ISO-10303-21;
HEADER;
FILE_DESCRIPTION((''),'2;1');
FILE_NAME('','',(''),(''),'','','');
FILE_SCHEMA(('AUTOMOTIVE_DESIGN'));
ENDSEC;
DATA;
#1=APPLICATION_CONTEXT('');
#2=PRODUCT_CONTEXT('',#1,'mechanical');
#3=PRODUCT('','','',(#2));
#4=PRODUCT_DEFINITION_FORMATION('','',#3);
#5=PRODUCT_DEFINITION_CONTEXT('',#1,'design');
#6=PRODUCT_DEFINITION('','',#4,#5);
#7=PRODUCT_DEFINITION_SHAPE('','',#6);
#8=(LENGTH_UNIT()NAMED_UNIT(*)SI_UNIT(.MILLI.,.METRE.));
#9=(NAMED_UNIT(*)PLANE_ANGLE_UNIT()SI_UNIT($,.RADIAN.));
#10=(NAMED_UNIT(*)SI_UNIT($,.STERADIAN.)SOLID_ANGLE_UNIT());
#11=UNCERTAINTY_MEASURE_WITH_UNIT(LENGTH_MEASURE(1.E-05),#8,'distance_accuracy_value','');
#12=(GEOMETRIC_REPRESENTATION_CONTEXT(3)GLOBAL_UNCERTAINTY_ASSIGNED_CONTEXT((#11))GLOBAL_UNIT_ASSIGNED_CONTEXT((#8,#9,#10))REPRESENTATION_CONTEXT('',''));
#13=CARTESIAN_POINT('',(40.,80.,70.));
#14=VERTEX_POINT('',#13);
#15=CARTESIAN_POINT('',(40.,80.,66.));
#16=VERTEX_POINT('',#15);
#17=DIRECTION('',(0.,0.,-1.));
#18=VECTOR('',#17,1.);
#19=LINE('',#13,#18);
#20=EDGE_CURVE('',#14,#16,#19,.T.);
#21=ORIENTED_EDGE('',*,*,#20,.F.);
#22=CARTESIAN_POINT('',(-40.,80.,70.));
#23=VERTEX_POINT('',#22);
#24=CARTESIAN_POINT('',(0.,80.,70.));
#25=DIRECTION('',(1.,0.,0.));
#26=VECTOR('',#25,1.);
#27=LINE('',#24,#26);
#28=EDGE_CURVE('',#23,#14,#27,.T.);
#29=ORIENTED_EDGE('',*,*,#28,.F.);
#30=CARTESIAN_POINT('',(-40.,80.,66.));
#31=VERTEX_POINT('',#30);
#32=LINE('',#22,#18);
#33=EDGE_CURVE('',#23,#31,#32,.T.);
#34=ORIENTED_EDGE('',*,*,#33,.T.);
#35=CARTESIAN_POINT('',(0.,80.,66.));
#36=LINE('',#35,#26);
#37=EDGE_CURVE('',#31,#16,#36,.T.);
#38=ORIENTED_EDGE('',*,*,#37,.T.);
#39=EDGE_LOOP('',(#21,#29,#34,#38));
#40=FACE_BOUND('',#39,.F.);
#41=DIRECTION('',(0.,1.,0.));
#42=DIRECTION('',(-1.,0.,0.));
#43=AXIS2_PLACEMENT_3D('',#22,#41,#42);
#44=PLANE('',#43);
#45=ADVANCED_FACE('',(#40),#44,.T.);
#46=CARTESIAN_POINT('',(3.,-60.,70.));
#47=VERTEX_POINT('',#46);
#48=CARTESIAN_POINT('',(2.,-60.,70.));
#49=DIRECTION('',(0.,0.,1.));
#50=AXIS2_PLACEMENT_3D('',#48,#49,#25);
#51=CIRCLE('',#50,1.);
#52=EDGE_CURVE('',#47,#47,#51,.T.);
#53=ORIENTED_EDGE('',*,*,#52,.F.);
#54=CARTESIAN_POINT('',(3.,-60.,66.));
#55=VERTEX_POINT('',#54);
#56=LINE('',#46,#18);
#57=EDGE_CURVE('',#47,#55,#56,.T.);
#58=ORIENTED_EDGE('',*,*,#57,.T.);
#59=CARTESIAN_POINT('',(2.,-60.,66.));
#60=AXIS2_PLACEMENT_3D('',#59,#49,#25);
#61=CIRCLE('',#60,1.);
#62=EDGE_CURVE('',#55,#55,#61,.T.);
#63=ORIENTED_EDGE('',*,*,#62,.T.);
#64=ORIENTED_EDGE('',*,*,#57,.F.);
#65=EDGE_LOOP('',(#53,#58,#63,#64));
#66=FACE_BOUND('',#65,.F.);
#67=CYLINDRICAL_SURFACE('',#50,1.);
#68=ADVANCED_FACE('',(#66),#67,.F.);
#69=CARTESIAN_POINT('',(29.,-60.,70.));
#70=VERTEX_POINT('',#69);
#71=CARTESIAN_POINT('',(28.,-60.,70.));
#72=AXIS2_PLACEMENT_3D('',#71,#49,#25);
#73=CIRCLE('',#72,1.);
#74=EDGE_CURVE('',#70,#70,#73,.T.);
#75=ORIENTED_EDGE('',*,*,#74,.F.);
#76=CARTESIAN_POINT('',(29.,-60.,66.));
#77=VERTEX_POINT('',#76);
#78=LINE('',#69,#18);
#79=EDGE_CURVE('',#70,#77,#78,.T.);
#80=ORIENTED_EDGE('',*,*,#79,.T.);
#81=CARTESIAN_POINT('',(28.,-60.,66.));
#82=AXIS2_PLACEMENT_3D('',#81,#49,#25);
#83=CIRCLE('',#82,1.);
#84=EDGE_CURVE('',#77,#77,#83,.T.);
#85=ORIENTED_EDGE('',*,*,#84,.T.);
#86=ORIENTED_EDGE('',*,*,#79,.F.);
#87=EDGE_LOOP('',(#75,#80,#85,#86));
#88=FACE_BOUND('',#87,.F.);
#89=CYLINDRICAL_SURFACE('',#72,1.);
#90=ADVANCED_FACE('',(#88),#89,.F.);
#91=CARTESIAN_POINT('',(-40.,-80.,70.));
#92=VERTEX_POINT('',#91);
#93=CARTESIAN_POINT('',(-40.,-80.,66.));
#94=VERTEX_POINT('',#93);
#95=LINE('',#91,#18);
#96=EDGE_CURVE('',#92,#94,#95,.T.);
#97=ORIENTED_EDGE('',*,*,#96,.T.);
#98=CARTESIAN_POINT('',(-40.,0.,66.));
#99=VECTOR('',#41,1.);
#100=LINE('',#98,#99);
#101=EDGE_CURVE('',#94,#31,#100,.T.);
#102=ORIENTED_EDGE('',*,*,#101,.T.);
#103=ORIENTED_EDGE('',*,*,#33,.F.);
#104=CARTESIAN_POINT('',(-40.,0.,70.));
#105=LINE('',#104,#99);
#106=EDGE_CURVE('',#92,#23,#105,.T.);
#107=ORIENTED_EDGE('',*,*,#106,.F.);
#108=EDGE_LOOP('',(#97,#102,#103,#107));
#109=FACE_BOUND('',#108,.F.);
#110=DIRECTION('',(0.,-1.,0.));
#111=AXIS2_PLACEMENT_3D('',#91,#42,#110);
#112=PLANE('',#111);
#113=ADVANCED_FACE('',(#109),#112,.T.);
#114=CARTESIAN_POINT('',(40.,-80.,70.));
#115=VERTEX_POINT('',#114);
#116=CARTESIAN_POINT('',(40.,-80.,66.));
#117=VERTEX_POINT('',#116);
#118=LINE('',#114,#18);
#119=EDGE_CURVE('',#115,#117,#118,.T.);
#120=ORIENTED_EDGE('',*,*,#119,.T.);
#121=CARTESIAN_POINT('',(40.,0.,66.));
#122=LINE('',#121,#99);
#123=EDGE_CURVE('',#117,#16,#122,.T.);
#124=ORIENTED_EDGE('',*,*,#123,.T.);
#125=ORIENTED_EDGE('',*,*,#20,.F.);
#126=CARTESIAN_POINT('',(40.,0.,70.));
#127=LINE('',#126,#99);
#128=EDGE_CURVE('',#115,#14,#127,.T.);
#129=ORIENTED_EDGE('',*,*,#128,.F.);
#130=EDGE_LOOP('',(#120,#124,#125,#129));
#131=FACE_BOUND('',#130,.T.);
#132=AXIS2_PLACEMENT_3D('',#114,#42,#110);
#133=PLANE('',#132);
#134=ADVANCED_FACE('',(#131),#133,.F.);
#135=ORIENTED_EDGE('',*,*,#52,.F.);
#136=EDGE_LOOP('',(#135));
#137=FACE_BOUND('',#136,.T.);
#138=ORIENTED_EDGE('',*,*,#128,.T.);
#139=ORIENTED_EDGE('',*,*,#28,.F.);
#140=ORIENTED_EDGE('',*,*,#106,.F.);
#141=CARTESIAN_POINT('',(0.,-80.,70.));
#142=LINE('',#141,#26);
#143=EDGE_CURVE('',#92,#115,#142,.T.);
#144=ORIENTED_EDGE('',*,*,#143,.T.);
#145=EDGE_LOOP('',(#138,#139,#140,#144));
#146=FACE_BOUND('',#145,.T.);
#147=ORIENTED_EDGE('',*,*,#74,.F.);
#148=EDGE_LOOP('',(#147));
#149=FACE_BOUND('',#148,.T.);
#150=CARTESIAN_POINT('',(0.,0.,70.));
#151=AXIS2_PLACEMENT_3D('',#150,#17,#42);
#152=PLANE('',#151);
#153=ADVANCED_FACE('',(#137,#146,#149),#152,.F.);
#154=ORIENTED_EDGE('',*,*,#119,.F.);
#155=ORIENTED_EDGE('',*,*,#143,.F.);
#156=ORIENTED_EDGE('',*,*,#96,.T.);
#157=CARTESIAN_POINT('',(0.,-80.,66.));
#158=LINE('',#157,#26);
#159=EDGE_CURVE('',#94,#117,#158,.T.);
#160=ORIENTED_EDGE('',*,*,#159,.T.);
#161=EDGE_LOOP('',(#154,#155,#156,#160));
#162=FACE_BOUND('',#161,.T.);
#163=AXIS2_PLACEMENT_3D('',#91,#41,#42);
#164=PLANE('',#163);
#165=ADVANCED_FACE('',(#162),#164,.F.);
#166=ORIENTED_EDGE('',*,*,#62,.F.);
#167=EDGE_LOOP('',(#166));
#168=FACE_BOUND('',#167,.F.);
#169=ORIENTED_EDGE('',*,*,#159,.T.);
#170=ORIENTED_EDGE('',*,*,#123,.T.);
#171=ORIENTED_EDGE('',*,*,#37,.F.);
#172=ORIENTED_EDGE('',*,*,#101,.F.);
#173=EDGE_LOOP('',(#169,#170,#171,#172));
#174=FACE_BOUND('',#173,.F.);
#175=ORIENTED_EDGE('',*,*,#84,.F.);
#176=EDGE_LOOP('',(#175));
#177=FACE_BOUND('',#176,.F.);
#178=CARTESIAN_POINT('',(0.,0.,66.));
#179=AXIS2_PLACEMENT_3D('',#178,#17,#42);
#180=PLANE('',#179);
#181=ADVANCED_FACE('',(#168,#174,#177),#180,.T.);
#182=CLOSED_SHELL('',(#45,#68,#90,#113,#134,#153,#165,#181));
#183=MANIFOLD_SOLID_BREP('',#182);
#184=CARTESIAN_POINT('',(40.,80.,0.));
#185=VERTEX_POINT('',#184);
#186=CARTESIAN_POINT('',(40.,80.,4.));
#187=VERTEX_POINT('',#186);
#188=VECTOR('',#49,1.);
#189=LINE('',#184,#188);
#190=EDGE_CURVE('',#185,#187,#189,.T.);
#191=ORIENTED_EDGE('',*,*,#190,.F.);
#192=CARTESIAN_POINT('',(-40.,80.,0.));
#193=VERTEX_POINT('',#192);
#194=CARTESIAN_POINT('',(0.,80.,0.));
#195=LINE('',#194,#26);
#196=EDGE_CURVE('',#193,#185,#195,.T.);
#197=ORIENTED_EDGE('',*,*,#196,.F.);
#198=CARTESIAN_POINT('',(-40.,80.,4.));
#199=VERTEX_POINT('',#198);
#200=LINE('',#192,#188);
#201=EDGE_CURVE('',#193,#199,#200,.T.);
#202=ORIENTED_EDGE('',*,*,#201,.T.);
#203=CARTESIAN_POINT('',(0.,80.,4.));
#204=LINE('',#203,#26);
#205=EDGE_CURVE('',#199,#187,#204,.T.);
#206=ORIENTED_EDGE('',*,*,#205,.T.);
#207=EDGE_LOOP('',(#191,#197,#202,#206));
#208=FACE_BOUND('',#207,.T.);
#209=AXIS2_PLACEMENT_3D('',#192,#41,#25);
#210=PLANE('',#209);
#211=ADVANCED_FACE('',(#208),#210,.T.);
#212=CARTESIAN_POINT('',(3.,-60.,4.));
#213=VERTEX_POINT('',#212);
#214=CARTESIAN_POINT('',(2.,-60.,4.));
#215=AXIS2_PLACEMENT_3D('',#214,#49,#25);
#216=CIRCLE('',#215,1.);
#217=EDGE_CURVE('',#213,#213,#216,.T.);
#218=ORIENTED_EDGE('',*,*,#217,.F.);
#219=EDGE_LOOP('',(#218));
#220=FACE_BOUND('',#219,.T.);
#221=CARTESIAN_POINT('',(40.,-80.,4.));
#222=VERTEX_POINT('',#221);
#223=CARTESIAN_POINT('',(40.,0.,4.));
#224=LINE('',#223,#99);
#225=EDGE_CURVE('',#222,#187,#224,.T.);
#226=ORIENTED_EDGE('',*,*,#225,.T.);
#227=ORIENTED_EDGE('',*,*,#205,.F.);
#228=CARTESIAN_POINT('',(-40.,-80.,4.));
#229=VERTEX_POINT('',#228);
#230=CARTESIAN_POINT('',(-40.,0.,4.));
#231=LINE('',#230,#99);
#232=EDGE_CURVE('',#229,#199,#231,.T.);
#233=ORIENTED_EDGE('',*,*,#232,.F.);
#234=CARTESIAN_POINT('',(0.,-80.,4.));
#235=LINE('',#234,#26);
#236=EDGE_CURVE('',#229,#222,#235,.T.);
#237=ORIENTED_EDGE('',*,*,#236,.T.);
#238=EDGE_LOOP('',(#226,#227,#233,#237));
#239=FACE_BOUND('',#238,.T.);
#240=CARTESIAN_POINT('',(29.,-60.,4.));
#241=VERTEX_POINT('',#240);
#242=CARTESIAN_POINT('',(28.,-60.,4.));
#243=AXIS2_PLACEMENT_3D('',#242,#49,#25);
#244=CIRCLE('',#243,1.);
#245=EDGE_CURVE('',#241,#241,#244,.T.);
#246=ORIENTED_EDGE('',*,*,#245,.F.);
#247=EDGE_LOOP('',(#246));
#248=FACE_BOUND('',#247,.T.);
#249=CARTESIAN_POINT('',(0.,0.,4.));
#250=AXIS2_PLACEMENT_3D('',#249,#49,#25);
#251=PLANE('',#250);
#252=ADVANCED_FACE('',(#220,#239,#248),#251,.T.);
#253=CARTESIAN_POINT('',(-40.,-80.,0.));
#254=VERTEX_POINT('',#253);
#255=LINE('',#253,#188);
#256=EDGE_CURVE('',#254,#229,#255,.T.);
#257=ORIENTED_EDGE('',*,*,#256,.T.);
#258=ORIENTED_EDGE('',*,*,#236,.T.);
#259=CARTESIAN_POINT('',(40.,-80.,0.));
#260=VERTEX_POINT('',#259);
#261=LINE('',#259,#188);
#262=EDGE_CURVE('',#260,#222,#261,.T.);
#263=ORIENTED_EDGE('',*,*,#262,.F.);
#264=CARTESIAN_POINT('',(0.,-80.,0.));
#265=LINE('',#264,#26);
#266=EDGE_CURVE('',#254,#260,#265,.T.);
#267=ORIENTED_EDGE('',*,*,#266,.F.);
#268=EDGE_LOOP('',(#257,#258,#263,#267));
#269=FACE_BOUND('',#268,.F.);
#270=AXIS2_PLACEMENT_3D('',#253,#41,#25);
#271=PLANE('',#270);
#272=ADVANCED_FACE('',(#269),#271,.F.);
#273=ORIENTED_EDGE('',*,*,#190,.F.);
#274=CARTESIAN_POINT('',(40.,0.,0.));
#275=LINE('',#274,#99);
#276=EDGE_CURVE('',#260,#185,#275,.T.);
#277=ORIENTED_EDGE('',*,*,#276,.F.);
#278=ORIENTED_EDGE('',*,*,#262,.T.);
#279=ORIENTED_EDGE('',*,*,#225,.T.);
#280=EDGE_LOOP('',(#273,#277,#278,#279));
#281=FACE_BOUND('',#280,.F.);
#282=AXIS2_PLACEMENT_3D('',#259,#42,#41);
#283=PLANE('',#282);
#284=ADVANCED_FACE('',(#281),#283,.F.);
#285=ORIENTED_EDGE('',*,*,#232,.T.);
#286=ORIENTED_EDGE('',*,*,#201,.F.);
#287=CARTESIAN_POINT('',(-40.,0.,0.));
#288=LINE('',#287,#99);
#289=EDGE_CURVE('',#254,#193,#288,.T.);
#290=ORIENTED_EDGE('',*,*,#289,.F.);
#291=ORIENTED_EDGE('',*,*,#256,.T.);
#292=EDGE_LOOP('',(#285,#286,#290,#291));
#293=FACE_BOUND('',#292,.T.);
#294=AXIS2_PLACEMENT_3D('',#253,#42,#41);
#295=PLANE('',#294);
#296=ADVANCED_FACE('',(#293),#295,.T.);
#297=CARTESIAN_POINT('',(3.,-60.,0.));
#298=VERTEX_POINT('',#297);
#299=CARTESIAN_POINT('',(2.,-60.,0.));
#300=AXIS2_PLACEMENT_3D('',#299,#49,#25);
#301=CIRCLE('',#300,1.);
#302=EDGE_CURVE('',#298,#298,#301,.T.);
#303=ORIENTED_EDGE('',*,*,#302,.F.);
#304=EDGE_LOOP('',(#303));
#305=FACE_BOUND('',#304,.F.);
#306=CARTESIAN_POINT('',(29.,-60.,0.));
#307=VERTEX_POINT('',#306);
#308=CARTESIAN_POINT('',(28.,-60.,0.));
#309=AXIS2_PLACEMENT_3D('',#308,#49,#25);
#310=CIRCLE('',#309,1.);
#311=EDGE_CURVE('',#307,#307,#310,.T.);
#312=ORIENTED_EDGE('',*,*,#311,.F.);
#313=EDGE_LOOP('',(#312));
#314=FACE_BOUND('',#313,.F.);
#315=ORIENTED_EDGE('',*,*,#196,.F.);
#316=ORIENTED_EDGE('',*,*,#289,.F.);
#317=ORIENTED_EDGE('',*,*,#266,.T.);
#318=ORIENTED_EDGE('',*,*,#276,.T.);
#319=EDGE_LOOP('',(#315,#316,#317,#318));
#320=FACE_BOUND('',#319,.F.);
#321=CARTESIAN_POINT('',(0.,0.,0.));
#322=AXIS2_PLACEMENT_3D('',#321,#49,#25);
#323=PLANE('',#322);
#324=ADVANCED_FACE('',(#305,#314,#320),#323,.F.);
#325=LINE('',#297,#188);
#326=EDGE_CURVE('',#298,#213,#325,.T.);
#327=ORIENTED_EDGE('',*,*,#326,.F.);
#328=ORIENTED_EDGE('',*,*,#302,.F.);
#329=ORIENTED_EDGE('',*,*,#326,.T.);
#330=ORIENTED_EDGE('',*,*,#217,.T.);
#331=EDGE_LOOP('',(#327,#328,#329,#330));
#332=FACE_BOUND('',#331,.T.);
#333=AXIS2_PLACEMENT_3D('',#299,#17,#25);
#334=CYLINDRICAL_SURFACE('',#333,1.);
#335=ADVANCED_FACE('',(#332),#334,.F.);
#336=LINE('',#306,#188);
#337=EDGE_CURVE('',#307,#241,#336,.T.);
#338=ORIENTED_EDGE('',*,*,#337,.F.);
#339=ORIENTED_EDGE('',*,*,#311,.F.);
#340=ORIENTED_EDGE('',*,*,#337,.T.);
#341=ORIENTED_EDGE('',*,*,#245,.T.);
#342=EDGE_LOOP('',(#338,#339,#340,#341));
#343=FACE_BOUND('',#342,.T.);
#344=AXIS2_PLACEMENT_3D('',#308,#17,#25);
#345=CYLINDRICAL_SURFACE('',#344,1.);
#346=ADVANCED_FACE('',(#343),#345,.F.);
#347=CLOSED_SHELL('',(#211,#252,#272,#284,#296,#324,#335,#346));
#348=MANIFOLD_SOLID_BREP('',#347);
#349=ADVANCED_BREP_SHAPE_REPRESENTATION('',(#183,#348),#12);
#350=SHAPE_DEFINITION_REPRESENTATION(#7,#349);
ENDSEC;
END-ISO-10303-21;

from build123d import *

# Parameters (mm, degrees)
F0_W     = 80
F0_H     = 160
F0_R     = 1
F1_DEPTH = 4


with BuildPart() as f1:
    # F0 (on Top) → F1 (new body)
    with BuildSketch(Plane.XY):
        Rectangle(F0_W, F0_H)
        with Locations((2, -60)):
            Circle(F0_R, mode=Mode.SUBTRACT)
        with Locations((28, -60)):
            Circle(F0_R, mode=Mode.SUBTRACT)
    extrude(amount=F1_DEPTH)


with BuildPart() as f3_1:
    # F3: instance of F1
    add(f1.part.mirror(Plane.XY.offset(35)))


solid = Compound([f1.part, f3_1.part])
